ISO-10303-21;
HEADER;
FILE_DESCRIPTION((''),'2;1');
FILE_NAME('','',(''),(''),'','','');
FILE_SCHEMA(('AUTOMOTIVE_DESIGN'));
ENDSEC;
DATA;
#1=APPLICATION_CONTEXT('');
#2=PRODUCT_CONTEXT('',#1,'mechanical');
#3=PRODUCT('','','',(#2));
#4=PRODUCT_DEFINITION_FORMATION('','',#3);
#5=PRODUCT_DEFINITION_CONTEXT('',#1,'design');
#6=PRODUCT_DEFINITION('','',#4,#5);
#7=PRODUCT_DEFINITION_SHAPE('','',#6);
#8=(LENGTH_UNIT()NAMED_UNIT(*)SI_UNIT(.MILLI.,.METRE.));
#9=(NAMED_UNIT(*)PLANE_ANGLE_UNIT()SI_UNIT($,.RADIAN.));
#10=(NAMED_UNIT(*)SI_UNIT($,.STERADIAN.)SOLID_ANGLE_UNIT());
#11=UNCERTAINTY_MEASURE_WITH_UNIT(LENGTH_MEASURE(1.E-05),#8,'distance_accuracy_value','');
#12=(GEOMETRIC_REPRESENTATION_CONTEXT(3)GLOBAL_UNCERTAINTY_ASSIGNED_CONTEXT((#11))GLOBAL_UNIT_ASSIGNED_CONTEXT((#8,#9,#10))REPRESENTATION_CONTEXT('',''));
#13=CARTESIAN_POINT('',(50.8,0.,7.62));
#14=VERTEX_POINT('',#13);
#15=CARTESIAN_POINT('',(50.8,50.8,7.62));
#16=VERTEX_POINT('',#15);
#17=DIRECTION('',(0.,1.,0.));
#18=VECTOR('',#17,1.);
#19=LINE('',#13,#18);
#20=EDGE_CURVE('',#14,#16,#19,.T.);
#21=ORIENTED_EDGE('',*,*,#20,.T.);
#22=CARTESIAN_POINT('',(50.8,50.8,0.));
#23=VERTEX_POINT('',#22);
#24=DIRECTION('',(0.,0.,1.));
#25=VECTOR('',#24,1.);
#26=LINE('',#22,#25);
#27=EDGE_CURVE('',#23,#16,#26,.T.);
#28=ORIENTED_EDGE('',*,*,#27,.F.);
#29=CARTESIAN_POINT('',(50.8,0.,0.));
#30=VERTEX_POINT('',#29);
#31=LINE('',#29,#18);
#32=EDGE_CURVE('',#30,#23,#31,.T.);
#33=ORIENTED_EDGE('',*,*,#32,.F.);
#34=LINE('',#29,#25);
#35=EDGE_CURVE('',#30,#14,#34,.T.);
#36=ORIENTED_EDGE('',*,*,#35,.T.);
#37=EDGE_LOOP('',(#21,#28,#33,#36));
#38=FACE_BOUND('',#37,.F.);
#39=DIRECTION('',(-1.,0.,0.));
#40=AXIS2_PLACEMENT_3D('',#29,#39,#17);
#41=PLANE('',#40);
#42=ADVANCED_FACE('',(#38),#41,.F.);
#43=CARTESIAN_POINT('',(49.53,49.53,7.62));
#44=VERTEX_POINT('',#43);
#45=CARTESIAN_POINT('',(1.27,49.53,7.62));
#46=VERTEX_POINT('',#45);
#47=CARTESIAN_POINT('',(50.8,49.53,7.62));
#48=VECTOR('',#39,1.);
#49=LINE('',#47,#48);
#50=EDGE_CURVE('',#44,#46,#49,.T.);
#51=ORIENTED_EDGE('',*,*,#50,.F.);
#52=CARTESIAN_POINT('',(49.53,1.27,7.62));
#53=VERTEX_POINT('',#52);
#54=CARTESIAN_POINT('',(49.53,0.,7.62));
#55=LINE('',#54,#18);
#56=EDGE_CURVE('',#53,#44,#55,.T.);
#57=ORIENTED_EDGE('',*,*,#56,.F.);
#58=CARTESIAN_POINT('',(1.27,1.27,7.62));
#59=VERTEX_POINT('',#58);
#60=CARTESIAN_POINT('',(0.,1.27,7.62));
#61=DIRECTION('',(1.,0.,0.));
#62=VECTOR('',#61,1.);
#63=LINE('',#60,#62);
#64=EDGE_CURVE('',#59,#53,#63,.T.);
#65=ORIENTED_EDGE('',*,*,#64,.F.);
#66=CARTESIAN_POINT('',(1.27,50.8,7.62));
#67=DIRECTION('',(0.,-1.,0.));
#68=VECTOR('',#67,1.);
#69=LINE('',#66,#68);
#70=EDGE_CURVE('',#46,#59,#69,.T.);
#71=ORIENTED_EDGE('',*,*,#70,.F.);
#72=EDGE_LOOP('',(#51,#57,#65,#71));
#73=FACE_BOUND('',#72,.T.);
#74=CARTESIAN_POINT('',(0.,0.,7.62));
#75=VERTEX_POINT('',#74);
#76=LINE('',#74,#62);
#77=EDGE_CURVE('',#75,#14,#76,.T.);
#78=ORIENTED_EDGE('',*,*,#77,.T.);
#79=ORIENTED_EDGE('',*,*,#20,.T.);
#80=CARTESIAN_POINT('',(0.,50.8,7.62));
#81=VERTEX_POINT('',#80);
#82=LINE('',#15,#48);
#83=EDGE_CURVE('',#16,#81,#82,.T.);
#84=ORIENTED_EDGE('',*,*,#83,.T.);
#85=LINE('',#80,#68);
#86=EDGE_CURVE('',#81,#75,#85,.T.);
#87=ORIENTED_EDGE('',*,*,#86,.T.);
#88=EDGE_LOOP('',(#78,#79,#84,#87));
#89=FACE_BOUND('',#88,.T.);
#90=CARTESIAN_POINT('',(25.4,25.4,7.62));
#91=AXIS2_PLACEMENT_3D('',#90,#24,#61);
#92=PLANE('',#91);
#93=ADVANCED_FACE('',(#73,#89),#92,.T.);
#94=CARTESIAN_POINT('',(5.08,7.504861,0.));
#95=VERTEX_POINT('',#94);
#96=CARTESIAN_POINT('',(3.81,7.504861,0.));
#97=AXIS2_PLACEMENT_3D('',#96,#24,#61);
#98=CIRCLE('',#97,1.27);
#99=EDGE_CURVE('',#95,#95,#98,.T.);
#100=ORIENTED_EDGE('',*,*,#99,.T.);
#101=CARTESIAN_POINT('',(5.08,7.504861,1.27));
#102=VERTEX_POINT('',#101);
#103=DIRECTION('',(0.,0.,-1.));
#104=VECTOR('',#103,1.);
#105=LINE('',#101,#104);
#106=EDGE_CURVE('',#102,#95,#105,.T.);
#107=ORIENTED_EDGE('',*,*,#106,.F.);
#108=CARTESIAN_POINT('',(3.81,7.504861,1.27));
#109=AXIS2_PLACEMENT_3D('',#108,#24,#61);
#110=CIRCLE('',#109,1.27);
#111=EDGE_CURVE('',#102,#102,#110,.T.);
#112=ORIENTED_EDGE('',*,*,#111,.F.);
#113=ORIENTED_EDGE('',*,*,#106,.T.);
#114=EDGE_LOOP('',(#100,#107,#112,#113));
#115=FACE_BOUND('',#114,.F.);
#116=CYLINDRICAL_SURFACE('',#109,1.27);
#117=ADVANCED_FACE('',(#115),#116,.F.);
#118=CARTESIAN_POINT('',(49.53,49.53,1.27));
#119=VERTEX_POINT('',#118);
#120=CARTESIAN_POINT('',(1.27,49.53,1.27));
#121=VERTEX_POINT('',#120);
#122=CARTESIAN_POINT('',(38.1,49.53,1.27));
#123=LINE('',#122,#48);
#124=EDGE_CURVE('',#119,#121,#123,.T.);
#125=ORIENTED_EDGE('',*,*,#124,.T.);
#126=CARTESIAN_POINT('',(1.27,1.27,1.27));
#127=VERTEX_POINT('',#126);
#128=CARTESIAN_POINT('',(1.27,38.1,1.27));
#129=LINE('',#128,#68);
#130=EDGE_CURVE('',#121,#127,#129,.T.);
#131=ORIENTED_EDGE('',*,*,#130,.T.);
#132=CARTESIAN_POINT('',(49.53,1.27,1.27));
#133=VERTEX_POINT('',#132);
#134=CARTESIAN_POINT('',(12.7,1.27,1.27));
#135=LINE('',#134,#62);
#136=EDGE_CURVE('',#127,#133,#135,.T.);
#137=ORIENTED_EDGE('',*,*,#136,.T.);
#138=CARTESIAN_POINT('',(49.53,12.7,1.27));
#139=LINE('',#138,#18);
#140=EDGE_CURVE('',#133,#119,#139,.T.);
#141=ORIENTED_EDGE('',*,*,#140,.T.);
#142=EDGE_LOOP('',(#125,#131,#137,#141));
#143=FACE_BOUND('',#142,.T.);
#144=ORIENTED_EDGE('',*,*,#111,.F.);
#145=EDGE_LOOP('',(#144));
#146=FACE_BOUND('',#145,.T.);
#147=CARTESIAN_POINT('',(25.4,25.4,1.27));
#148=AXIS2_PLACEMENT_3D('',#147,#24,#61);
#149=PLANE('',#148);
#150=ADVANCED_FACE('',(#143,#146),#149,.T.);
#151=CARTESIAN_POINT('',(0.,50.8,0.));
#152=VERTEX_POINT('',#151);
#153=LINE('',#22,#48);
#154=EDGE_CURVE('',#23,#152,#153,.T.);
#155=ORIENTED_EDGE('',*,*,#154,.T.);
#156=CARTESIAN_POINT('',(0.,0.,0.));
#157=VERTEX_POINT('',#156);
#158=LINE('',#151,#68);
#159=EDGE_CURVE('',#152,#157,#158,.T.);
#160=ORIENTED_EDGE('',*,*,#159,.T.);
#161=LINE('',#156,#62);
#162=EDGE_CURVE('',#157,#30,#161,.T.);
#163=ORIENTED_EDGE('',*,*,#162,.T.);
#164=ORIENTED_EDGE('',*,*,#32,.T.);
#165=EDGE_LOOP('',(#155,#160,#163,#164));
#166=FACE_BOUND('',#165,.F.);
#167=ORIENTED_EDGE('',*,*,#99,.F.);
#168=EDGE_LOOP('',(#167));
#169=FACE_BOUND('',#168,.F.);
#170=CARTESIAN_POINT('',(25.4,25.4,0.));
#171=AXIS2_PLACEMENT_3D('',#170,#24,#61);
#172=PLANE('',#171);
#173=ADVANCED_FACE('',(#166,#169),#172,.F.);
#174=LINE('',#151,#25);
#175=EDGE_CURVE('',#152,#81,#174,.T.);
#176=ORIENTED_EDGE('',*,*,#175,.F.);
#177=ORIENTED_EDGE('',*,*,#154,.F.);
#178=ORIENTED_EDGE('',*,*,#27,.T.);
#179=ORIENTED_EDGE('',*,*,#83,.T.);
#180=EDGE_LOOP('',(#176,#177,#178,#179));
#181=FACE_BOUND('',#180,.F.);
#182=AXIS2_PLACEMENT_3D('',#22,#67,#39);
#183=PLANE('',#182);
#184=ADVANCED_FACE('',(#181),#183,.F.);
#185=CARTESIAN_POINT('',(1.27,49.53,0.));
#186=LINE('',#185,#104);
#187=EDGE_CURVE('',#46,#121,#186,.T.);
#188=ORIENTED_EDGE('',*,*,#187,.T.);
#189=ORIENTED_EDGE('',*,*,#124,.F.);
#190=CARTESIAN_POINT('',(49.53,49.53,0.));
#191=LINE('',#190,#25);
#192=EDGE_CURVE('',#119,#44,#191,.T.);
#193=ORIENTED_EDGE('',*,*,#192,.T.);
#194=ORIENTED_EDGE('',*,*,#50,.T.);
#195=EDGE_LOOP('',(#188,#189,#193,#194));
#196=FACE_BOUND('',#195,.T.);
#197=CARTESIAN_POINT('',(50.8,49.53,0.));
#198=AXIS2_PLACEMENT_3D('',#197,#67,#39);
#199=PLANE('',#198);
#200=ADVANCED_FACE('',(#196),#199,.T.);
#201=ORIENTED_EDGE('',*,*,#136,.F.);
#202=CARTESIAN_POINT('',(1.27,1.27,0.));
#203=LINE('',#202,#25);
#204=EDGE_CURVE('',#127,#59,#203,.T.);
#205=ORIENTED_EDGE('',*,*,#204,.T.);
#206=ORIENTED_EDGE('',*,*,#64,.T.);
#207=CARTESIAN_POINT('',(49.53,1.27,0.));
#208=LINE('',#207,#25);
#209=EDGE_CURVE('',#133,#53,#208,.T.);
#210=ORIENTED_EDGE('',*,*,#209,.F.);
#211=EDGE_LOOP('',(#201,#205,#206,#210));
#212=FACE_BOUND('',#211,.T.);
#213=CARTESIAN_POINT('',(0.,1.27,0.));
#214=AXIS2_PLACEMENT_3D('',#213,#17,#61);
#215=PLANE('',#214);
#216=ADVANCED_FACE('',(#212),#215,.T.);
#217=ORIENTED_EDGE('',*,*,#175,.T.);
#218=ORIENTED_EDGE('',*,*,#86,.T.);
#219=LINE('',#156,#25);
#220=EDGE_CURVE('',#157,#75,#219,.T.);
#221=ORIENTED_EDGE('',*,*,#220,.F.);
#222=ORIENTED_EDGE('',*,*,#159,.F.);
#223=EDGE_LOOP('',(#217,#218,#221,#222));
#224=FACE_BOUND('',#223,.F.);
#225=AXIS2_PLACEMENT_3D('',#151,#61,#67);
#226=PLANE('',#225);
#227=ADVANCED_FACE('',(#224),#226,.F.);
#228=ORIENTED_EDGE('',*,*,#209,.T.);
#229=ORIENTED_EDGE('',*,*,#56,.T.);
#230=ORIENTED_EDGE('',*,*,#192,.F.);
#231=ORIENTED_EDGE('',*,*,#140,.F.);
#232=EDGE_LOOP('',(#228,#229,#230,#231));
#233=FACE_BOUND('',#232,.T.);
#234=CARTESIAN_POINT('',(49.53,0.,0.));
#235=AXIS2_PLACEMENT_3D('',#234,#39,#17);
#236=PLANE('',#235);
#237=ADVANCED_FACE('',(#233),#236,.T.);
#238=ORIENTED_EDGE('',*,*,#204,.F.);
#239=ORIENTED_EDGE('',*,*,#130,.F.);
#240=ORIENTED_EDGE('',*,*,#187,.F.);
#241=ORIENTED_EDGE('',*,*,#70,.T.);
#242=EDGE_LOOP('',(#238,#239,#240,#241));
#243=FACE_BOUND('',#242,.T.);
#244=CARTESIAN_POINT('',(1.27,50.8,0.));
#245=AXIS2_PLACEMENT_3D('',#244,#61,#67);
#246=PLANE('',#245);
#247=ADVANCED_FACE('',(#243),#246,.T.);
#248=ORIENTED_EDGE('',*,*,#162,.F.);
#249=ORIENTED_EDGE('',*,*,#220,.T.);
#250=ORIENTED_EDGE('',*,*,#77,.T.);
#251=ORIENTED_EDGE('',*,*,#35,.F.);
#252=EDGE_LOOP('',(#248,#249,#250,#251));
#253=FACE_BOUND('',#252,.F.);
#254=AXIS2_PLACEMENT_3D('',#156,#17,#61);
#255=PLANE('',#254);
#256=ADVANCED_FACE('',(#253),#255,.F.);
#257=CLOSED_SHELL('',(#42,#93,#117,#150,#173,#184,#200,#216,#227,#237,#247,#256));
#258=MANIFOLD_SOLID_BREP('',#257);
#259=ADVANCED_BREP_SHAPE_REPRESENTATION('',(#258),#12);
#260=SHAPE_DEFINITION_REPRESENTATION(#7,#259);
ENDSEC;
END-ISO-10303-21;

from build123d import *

# Parameters (mm, degrees)
F1_DEPTH = 7.62
F2_T     = -1.27
F3_R     = 1.27
F4_DEPTH = 25.4


with BuildPart() as f1:
    # F0 (on Top) → F1 (new body)
    with BuildSketch(Plane.XY):
        Polygon((0, 50.8), (0, 0), (5.08, 0), (50.8, 0), (50.8, 50.8), align=None)
    extrude(amount=F1_DEPTH)

    # F2
    f2_openings = [f1.faces().sort_by_distance(p)[0] for p in [
        (25.4, 25.4, 7.62),
    ]]
    offset(amount=F2_T, openings=f2_openings)

    # F3 (on face) → F4 (cut)
    with BuildSketch(Plane.XY.offset(1.27)):
        with Locations((3.81, 7.504861)):
            Circle(F3_R)
    extrude(amount=-F4_DEPTH, mode=Mode.SUBTRACT)


solid = f1.part
